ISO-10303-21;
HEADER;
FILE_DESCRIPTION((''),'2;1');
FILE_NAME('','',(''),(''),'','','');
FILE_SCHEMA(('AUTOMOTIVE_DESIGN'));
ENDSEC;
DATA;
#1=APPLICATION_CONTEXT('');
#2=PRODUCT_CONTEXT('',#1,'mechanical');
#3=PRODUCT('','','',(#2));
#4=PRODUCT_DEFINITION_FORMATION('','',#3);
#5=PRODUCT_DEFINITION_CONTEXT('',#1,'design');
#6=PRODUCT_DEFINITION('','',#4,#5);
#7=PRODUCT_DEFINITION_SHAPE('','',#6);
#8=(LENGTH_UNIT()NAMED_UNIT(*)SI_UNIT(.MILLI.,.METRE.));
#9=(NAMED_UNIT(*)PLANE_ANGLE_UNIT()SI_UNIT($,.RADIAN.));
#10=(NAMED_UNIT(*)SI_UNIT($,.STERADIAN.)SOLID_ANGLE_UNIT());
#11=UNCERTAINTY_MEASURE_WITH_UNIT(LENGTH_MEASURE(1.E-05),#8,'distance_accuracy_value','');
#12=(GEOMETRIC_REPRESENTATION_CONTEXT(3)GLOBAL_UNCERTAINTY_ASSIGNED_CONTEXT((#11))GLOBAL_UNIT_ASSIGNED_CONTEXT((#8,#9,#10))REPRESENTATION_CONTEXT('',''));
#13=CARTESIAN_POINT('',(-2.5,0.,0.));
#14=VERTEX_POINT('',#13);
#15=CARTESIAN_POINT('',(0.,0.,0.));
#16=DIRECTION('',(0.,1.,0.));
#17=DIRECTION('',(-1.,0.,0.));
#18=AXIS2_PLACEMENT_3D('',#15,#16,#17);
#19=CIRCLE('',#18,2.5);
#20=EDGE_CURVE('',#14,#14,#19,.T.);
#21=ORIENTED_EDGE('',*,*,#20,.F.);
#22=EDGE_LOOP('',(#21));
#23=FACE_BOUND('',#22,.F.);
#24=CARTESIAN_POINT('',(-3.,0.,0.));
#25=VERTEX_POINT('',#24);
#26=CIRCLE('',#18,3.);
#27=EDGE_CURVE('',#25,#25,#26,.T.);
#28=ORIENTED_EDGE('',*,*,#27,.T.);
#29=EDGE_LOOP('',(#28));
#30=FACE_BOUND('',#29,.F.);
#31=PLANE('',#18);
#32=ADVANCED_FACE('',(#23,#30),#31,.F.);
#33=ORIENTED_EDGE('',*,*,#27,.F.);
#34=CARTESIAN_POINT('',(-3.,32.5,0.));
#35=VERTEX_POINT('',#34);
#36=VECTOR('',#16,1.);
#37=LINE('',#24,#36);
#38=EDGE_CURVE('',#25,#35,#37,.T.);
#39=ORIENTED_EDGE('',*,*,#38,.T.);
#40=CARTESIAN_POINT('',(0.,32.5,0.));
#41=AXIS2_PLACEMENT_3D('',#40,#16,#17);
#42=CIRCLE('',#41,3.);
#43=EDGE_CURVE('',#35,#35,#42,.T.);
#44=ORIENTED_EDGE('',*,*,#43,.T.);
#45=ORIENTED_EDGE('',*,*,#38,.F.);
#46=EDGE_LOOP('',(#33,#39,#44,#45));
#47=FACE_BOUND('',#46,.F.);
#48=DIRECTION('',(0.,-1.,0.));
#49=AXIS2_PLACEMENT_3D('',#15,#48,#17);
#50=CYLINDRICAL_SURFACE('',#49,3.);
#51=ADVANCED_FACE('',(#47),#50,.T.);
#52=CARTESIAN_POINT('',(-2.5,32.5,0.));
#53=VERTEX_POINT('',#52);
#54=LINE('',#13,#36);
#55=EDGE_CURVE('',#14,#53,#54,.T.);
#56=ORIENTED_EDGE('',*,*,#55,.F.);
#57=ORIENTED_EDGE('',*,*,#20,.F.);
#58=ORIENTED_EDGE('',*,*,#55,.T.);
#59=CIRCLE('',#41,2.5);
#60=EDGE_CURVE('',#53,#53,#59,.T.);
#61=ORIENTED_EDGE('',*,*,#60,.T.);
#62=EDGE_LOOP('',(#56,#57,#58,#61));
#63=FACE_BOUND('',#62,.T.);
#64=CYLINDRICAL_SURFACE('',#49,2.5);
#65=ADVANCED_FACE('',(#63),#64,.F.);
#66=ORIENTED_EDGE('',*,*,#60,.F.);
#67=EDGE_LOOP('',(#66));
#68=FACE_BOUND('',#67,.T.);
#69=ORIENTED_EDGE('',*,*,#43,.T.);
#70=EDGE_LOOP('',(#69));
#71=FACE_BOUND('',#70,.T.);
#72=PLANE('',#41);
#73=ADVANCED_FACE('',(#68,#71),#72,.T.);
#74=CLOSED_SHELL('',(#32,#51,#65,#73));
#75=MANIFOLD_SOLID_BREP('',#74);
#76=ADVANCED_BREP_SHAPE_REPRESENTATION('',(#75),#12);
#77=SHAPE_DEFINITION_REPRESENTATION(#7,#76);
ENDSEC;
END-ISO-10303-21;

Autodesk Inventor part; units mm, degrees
ref_plane "YZ Plane" through (0, 0, 0) normal (1, 0, 0) x (0, 1, 0)
ref_plane "XZ Plane" through (0, 0, 0) normal (0, 1, 0) x (-1, 0, 0)
ref_plane "XY Plane" through (0, 0, 0) normal (0, 0, 1) x (1, 0, 0)
sketch "Sketch1" plane through (0, 0, 0) normal (0, 1, 0) x (-1, 0, 0)
  circle A0 centre (0, 0) radius 3
  circle A1 centre (0, 0) radius 2.5
  dimension "d0" = 6
  dimension "d1" = 5
extrude "Extrusion1" add sketch "Sketch1" along normal blind 32.5
properties part number "Steam Inlet Pipe 1"
